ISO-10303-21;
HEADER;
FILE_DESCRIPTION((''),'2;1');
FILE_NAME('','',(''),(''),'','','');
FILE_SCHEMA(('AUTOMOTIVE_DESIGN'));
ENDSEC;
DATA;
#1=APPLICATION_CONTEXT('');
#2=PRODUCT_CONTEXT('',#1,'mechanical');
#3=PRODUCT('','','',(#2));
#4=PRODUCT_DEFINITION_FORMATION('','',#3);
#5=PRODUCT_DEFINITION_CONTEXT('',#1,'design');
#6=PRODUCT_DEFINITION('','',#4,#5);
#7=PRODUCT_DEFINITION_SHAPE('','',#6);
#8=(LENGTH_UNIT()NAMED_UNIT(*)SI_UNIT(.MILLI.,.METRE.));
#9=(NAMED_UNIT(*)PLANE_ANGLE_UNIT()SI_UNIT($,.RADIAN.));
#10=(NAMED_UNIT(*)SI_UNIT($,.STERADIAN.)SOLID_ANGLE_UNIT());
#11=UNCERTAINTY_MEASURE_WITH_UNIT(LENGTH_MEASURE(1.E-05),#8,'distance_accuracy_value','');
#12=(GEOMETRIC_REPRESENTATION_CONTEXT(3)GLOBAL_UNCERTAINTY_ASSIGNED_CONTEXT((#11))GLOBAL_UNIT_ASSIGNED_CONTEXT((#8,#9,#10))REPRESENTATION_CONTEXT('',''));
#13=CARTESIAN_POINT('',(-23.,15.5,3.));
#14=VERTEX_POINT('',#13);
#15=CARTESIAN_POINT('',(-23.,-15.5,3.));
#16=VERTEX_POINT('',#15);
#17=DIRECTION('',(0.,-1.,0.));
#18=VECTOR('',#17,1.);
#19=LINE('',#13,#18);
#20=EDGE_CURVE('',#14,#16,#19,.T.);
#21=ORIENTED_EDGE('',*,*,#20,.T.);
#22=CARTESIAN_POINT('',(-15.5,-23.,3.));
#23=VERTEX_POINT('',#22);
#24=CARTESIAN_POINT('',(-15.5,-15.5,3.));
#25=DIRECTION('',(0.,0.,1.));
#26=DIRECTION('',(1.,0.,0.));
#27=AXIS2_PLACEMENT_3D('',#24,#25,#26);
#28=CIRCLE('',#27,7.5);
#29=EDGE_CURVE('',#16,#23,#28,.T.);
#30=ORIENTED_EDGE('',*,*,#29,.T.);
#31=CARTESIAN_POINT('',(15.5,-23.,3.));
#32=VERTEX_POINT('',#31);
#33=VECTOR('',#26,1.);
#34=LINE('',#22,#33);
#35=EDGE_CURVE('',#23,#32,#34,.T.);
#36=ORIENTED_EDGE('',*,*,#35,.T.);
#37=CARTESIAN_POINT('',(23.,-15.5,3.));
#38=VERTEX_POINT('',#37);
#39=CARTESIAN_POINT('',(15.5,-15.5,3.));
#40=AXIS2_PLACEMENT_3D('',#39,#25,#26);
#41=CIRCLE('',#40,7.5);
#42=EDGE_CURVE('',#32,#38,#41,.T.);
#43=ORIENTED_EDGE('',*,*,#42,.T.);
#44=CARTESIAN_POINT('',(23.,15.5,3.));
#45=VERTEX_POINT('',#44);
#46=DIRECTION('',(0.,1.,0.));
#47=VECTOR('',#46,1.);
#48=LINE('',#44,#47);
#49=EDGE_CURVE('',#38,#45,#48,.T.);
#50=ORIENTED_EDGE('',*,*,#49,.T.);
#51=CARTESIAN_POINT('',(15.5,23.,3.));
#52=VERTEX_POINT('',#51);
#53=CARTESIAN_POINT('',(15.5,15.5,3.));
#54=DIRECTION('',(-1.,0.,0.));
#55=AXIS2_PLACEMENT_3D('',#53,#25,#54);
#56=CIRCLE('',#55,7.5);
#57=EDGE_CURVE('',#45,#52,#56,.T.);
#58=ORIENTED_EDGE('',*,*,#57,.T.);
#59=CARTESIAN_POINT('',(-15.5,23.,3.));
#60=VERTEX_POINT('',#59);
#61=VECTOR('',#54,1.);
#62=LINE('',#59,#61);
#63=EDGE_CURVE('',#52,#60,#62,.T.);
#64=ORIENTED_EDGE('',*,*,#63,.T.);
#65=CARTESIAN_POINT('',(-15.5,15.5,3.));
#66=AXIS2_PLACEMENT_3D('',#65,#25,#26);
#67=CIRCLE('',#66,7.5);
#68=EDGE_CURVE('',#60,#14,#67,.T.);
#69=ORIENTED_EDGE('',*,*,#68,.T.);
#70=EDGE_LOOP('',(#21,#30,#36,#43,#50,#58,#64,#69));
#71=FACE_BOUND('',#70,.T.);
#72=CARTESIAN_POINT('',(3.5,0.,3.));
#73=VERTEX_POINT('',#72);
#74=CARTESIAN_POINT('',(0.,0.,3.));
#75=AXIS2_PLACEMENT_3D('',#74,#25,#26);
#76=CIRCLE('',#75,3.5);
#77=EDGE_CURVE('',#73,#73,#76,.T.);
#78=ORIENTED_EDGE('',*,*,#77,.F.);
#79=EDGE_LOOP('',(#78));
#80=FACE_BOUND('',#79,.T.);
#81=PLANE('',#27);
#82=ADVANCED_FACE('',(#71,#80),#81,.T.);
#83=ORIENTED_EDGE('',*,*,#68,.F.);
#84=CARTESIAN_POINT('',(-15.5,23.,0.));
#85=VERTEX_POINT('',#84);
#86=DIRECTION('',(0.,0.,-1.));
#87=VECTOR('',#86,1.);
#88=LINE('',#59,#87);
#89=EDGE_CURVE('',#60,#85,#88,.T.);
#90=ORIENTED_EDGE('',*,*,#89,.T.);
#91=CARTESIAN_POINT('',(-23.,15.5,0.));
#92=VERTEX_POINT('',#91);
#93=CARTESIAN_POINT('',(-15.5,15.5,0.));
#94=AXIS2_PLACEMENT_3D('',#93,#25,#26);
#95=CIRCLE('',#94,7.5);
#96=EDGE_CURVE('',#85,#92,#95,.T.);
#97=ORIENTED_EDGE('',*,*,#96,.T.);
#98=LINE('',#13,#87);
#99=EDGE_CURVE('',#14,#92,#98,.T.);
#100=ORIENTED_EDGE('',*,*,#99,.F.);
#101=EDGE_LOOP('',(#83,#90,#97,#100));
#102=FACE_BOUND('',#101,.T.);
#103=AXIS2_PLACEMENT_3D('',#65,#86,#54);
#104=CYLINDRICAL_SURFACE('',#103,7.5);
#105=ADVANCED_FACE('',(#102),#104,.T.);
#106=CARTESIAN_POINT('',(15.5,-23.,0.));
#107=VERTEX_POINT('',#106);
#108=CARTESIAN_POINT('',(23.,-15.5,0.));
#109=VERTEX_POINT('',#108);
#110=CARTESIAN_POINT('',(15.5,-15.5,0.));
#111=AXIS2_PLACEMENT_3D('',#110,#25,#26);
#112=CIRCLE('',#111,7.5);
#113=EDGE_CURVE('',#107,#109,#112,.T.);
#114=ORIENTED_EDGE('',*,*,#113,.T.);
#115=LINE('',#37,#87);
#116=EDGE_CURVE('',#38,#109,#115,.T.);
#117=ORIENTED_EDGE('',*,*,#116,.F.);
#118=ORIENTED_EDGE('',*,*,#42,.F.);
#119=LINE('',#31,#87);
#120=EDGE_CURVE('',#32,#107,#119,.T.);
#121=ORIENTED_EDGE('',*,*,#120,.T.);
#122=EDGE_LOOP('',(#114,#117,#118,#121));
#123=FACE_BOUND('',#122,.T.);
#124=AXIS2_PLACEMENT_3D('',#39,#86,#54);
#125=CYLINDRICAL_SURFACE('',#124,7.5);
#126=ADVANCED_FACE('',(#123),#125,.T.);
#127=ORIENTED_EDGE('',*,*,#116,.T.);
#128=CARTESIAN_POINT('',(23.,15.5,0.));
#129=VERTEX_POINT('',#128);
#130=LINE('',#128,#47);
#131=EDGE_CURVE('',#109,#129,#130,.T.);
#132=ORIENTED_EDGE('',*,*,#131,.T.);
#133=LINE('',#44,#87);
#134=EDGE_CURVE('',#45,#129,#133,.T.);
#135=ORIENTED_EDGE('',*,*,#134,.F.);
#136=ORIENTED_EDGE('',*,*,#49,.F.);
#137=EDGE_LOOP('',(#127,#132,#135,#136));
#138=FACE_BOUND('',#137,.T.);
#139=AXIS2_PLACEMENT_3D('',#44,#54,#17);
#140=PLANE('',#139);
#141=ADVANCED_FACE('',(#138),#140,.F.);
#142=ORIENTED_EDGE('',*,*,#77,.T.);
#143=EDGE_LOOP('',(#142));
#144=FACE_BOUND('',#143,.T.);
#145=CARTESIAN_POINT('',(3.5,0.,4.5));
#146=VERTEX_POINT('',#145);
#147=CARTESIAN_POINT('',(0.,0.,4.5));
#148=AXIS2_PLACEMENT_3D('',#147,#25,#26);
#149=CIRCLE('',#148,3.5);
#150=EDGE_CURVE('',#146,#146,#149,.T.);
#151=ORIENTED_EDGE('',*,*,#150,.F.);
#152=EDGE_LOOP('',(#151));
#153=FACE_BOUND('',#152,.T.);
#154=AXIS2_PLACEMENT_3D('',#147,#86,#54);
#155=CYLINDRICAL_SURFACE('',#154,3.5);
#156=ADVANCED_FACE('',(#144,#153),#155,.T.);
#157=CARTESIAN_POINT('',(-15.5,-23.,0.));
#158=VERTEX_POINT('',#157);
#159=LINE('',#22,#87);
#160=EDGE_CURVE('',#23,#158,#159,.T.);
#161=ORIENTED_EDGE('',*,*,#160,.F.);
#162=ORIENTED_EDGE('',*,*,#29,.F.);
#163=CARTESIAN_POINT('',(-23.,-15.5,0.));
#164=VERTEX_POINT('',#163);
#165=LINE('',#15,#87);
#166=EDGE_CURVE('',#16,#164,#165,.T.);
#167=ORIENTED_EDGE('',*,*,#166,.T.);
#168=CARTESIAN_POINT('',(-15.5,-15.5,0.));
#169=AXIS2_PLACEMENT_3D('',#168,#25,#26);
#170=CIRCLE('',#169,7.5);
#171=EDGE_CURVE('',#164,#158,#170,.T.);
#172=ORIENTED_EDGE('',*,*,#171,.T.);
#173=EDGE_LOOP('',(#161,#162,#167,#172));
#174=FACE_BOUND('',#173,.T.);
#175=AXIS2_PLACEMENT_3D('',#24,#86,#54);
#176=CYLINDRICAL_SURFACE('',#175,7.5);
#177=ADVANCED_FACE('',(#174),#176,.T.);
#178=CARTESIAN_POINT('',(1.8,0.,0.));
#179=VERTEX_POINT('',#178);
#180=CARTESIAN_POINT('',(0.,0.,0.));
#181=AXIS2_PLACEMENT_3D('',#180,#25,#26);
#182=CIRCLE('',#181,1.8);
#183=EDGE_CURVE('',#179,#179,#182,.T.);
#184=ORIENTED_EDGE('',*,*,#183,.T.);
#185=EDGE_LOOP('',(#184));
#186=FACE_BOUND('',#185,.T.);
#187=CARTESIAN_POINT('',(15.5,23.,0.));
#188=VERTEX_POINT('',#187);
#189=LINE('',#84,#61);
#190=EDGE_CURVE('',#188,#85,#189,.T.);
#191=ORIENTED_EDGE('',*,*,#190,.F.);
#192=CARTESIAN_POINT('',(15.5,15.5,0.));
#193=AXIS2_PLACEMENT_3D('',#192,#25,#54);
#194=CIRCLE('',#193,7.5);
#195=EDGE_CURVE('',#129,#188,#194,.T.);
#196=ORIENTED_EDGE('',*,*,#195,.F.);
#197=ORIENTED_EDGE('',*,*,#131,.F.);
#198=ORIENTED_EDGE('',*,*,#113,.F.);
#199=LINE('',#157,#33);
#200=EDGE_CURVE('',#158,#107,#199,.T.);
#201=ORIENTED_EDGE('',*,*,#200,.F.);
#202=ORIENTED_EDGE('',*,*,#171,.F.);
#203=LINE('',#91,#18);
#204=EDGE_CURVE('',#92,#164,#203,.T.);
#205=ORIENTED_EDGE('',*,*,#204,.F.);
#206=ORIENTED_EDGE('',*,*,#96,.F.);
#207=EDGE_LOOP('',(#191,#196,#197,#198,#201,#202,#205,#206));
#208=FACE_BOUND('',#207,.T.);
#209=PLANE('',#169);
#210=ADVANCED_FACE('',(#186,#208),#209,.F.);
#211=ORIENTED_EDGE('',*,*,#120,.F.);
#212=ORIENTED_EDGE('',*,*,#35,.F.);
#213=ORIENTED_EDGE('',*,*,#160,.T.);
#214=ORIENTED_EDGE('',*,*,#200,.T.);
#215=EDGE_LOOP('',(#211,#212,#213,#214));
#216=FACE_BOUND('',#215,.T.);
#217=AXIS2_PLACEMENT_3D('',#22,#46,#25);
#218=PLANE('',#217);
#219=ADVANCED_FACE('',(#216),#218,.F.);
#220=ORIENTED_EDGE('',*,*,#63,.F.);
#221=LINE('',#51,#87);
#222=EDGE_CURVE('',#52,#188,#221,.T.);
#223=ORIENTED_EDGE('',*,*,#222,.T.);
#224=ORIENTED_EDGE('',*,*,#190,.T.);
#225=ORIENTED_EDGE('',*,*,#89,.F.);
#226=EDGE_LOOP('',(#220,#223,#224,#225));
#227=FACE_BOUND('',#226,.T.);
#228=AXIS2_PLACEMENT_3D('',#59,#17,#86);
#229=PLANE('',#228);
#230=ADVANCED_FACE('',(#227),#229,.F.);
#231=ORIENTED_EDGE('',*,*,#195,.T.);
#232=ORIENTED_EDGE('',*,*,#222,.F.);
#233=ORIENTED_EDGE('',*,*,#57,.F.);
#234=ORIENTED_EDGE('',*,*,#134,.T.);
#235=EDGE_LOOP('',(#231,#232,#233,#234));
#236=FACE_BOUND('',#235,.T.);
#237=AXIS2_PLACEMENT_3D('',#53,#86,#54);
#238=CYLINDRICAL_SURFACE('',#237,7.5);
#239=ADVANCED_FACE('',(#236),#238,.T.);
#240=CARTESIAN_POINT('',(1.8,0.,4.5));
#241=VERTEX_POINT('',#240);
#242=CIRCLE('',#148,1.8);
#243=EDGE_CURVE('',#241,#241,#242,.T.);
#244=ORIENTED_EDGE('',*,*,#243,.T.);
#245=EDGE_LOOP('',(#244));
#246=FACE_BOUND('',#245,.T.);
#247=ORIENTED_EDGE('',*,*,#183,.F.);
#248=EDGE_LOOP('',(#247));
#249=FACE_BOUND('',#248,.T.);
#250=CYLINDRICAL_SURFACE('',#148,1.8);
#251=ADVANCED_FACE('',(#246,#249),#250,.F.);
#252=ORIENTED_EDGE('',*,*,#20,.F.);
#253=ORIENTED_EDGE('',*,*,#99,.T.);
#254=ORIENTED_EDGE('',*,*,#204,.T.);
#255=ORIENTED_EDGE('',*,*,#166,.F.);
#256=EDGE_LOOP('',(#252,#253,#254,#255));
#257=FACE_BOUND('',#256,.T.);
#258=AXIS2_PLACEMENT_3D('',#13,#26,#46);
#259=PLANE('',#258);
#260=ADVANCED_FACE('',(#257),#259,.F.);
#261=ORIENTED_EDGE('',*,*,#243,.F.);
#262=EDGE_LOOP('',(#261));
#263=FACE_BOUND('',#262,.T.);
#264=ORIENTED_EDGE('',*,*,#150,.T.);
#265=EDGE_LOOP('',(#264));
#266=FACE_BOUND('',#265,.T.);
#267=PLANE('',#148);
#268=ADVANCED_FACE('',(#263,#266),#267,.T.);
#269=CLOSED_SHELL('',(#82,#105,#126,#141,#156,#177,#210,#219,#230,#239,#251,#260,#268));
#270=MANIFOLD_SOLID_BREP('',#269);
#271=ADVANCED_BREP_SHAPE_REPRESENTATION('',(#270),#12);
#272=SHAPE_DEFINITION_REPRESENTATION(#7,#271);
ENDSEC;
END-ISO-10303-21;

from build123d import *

# Parameters (mm, degrees)
BOSS_EXTRUDE1_DEPTH            = 3
SKETCH2_R                      = 3.5
BOSS_EXTRUDE2_DEPTH            = 1.5
M3_CLEARANCE_HOLE1_D           = 3.6
M3_CLEARANCE_HOLE1_ON_FACE_2_D = 3.6


with BuildPart() as part:
    # Sketch1 → Boss-Extrude1 (new body)
    with BuildSketch(Plane.XY):
        with BuildLine():
            Line((-15.5, 23), (15.5, 23))
            ThreePointArc((15.5, 23), (20.803300859, 20.803300859), (23, 15.5))
            Line((23, 15.5), (23, -15.5))
            ThreePointArc((23, -15.5), (20.803300859, -20.803300859), (15.5, -23))
            Line((15.5, -23), (-15.5, -23))
            ThreePointArc((-15.5, -23), (-20.803300859, -20.803300859), (-23, -15.5))
            Line((-23, -15.5), (-23, 15.5))
            ThreePointArc((-23, 15.5), (-20.803300859, 20.803300859), (-15.5, 23))
        make_face()
    extrude(amount=BOSS_EXTRUDE1_DEPTH)

    # Sketch2 → Boss-Extrude2 (add)
    with BuildSketch(Plane.XY.offset(3)):
        Circle(SKETCH2_R)
    extrude(amount=BOSS_EXTRUDE2_DEPTH)

    # M3 Clearance Hole1 (through all)
    with Locations(Plane(origin=(0, 0, 0), x_dir=(-1, 0, 0), z_dir=(0, 0, -1))):
        with Locations((0, 0)):
            Hole(M3_CLEARANCE_HOLE1_D / 2)

    # M3 Clearance Hole1 on face 2 (through all)
    with Locations(Plane.XY.offset(4.5)):
        with Locations((0, 0)):
            Hole(M3_CLEARANCE_HOLE1_ON_FACE_2_D / 2)


solid = part.part
